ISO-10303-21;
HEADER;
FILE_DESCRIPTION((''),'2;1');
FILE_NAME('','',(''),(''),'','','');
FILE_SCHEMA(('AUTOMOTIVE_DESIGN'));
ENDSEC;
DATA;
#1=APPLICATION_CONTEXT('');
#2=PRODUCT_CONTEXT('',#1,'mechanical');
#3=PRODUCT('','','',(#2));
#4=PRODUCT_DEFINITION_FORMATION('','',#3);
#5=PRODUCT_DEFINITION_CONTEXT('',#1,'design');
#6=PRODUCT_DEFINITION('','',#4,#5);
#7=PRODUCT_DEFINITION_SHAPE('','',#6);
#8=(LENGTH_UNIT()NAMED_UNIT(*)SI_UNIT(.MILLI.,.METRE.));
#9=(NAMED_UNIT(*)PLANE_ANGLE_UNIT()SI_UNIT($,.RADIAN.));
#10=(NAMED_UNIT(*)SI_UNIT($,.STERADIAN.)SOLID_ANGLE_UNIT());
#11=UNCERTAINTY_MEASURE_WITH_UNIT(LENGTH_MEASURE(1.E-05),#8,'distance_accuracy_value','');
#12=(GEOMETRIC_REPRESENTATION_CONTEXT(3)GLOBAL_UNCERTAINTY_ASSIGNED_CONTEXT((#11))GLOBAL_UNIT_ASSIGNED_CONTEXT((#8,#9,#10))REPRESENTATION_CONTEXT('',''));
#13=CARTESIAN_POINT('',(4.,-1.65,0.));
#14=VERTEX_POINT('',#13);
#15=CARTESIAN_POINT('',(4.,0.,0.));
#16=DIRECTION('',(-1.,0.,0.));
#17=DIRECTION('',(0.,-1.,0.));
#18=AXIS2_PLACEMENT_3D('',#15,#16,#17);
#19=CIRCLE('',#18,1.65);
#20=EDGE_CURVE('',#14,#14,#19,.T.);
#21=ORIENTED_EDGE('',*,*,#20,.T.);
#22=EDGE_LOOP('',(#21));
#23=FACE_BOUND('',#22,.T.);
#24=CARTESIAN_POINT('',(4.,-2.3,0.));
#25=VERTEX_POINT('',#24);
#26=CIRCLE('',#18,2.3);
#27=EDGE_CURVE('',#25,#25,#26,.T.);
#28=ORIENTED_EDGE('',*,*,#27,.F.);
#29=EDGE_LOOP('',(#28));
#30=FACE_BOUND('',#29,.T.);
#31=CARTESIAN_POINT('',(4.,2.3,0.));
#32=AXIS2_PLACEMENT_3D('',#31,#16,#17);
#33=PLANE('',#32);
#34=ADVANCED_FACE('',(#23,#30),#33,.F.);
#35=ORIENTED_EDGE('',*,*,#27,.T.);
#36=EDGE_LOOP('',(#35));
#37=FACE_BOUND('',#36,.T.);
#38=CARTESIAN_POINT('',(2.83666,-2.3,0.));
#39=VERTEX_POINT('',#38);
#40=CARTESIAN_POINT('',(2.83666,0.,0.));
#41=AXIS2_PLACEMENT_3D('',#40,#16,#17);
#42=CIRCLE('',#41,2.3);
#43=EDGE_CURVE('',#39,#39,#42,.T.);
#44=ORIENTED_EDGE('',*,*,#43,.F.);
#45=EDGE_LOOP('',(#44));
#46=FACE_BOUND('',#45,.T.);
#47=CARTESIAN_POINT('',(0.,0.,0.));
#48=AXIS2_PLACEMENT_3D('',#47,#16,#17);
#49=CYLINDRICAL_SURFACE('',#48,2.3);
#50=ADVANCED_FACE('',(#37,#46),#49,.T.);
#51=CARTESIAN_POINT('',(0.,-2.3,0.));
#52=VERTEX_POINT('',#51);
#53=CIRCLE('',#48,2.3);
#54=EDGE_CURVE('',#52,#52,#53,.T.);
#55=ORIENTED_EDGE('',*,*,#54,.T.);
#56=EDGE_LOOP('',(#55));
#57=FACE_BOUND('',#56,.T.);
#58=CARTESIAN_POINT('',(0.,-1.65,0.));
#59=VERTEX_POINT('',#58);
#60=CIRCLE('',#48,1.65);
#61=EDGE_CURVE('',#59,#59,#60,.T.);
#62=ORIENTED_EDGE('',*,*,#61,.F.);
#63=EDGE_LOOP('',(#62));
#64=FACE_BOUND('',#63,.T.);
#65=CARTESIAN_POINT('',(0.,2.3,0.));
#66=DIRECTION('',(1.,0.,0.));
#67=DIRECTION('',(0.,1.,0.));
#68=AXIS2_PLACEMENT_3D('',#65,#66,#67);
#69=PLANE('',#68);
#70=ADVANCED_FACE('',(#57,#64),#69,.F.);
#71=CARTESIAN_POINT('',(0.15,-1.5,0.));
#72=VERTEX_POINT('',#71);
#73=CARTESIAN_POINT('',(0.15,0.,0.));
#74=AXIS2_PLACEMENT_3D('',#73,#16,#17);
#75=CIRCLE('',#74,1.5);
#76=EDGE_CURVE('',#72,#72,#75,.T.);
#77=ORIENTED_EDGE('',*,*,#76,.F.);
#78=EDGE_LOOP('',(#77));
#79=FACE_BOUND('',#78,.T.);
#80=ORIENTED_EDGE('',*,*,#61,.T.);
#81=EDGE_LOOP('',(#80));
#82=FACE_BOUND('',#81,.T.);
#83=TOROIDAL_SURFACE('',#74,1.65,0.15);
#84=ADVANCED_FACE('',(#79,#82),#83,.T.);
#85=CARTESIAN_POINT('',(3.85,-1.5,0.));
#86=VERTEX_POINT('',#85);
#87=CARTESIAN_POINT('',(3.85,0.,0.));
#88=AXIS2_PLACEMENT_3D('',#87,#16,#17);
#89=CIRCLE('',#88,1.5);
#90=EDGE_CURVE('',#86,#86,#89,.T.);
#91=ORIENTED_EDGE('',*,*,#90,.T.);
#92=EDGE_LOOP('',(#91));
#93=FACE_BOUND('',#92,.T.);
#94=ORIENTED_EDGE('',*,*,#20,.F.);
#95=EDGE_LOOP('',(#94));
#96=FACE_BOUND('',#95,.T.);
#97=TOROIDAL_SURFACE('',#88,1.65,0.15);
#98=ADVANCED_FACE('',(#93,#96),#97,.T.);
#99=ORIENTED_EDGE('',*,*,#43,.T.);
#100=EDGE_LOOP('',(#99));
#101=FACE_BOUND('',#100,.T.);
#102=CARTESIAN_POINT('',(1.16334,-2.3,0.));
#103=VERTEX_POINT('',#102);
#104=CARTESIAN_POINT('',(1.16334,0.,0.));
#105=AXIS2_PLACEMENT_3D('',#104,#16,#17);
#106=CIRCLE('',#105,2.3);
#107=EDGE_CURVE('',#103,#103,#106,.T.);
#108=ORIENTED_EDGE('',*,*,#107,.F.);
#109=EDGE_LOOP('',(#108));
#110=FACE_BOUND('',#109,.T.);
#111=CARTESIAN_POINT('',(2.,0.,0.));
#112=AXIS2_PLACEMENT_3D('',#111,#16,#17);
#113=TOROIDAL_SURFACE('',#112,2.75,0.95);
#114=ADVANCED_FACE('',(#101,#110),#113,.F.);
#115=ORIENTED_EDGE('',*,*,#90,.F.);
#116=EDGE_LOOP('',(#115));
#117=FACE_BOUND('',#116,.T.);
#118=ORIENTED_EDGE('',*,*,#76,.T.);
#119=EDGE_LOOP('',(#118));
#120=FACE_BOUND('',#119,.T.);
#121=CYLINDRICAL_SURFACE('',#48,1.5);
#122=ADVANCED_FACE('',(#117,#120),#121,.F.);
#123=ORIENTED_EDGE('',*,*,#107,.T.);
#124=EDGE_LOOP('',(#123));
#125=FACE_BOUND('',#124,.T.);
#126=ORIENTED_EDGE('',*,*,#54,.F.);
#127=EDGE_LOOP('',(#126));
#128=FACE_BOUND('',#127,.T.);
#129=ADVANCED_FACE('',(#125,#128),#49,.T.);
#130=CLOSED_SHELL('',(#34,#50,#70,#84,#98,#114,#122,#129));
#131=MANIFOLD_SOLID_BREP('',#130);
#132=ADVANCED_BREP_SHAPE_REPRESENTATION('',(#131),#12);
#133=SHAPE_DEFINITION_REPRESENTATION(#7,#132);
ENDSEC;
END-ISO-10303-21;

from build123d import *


with BuildPart() as part:
    # Esquisse1 → Révolution1 (revolve)
    with BuildSketch(Plane.XY, mode=Mode.PRIVATE) as r_volution1_sk:
        with BuildLine():
            Line((0.15, 1.5), (3.85, 1.5))
            ThreePointArc((3.85, 1.5), (3.956066017, 1.543933983), (4, 1.65))
            Line((4, 1.65), (4, 2.3))
            Line((4, 2.3), (2.836660027, 2.3))
            ThreePointArc((2.836660027, 2.3), (2, 1.8), (1.163339973, 2.3))
            Line((1.163339973, 2.3), (0, 2.3))
            Line((0, 2.3), (0, 1.65))
            ThreePointArc((0, 1.65), (0.043933983, 1.543933983), (0.15, 1.5))
        make_face()
    revolve(r_volution1_sk.sketch.rotate(Axis((0, 0, 0), (1, 0, 0)), 180), axis=Axis((0, 0, 0), (1, 0, 0)))


solid = part.part
